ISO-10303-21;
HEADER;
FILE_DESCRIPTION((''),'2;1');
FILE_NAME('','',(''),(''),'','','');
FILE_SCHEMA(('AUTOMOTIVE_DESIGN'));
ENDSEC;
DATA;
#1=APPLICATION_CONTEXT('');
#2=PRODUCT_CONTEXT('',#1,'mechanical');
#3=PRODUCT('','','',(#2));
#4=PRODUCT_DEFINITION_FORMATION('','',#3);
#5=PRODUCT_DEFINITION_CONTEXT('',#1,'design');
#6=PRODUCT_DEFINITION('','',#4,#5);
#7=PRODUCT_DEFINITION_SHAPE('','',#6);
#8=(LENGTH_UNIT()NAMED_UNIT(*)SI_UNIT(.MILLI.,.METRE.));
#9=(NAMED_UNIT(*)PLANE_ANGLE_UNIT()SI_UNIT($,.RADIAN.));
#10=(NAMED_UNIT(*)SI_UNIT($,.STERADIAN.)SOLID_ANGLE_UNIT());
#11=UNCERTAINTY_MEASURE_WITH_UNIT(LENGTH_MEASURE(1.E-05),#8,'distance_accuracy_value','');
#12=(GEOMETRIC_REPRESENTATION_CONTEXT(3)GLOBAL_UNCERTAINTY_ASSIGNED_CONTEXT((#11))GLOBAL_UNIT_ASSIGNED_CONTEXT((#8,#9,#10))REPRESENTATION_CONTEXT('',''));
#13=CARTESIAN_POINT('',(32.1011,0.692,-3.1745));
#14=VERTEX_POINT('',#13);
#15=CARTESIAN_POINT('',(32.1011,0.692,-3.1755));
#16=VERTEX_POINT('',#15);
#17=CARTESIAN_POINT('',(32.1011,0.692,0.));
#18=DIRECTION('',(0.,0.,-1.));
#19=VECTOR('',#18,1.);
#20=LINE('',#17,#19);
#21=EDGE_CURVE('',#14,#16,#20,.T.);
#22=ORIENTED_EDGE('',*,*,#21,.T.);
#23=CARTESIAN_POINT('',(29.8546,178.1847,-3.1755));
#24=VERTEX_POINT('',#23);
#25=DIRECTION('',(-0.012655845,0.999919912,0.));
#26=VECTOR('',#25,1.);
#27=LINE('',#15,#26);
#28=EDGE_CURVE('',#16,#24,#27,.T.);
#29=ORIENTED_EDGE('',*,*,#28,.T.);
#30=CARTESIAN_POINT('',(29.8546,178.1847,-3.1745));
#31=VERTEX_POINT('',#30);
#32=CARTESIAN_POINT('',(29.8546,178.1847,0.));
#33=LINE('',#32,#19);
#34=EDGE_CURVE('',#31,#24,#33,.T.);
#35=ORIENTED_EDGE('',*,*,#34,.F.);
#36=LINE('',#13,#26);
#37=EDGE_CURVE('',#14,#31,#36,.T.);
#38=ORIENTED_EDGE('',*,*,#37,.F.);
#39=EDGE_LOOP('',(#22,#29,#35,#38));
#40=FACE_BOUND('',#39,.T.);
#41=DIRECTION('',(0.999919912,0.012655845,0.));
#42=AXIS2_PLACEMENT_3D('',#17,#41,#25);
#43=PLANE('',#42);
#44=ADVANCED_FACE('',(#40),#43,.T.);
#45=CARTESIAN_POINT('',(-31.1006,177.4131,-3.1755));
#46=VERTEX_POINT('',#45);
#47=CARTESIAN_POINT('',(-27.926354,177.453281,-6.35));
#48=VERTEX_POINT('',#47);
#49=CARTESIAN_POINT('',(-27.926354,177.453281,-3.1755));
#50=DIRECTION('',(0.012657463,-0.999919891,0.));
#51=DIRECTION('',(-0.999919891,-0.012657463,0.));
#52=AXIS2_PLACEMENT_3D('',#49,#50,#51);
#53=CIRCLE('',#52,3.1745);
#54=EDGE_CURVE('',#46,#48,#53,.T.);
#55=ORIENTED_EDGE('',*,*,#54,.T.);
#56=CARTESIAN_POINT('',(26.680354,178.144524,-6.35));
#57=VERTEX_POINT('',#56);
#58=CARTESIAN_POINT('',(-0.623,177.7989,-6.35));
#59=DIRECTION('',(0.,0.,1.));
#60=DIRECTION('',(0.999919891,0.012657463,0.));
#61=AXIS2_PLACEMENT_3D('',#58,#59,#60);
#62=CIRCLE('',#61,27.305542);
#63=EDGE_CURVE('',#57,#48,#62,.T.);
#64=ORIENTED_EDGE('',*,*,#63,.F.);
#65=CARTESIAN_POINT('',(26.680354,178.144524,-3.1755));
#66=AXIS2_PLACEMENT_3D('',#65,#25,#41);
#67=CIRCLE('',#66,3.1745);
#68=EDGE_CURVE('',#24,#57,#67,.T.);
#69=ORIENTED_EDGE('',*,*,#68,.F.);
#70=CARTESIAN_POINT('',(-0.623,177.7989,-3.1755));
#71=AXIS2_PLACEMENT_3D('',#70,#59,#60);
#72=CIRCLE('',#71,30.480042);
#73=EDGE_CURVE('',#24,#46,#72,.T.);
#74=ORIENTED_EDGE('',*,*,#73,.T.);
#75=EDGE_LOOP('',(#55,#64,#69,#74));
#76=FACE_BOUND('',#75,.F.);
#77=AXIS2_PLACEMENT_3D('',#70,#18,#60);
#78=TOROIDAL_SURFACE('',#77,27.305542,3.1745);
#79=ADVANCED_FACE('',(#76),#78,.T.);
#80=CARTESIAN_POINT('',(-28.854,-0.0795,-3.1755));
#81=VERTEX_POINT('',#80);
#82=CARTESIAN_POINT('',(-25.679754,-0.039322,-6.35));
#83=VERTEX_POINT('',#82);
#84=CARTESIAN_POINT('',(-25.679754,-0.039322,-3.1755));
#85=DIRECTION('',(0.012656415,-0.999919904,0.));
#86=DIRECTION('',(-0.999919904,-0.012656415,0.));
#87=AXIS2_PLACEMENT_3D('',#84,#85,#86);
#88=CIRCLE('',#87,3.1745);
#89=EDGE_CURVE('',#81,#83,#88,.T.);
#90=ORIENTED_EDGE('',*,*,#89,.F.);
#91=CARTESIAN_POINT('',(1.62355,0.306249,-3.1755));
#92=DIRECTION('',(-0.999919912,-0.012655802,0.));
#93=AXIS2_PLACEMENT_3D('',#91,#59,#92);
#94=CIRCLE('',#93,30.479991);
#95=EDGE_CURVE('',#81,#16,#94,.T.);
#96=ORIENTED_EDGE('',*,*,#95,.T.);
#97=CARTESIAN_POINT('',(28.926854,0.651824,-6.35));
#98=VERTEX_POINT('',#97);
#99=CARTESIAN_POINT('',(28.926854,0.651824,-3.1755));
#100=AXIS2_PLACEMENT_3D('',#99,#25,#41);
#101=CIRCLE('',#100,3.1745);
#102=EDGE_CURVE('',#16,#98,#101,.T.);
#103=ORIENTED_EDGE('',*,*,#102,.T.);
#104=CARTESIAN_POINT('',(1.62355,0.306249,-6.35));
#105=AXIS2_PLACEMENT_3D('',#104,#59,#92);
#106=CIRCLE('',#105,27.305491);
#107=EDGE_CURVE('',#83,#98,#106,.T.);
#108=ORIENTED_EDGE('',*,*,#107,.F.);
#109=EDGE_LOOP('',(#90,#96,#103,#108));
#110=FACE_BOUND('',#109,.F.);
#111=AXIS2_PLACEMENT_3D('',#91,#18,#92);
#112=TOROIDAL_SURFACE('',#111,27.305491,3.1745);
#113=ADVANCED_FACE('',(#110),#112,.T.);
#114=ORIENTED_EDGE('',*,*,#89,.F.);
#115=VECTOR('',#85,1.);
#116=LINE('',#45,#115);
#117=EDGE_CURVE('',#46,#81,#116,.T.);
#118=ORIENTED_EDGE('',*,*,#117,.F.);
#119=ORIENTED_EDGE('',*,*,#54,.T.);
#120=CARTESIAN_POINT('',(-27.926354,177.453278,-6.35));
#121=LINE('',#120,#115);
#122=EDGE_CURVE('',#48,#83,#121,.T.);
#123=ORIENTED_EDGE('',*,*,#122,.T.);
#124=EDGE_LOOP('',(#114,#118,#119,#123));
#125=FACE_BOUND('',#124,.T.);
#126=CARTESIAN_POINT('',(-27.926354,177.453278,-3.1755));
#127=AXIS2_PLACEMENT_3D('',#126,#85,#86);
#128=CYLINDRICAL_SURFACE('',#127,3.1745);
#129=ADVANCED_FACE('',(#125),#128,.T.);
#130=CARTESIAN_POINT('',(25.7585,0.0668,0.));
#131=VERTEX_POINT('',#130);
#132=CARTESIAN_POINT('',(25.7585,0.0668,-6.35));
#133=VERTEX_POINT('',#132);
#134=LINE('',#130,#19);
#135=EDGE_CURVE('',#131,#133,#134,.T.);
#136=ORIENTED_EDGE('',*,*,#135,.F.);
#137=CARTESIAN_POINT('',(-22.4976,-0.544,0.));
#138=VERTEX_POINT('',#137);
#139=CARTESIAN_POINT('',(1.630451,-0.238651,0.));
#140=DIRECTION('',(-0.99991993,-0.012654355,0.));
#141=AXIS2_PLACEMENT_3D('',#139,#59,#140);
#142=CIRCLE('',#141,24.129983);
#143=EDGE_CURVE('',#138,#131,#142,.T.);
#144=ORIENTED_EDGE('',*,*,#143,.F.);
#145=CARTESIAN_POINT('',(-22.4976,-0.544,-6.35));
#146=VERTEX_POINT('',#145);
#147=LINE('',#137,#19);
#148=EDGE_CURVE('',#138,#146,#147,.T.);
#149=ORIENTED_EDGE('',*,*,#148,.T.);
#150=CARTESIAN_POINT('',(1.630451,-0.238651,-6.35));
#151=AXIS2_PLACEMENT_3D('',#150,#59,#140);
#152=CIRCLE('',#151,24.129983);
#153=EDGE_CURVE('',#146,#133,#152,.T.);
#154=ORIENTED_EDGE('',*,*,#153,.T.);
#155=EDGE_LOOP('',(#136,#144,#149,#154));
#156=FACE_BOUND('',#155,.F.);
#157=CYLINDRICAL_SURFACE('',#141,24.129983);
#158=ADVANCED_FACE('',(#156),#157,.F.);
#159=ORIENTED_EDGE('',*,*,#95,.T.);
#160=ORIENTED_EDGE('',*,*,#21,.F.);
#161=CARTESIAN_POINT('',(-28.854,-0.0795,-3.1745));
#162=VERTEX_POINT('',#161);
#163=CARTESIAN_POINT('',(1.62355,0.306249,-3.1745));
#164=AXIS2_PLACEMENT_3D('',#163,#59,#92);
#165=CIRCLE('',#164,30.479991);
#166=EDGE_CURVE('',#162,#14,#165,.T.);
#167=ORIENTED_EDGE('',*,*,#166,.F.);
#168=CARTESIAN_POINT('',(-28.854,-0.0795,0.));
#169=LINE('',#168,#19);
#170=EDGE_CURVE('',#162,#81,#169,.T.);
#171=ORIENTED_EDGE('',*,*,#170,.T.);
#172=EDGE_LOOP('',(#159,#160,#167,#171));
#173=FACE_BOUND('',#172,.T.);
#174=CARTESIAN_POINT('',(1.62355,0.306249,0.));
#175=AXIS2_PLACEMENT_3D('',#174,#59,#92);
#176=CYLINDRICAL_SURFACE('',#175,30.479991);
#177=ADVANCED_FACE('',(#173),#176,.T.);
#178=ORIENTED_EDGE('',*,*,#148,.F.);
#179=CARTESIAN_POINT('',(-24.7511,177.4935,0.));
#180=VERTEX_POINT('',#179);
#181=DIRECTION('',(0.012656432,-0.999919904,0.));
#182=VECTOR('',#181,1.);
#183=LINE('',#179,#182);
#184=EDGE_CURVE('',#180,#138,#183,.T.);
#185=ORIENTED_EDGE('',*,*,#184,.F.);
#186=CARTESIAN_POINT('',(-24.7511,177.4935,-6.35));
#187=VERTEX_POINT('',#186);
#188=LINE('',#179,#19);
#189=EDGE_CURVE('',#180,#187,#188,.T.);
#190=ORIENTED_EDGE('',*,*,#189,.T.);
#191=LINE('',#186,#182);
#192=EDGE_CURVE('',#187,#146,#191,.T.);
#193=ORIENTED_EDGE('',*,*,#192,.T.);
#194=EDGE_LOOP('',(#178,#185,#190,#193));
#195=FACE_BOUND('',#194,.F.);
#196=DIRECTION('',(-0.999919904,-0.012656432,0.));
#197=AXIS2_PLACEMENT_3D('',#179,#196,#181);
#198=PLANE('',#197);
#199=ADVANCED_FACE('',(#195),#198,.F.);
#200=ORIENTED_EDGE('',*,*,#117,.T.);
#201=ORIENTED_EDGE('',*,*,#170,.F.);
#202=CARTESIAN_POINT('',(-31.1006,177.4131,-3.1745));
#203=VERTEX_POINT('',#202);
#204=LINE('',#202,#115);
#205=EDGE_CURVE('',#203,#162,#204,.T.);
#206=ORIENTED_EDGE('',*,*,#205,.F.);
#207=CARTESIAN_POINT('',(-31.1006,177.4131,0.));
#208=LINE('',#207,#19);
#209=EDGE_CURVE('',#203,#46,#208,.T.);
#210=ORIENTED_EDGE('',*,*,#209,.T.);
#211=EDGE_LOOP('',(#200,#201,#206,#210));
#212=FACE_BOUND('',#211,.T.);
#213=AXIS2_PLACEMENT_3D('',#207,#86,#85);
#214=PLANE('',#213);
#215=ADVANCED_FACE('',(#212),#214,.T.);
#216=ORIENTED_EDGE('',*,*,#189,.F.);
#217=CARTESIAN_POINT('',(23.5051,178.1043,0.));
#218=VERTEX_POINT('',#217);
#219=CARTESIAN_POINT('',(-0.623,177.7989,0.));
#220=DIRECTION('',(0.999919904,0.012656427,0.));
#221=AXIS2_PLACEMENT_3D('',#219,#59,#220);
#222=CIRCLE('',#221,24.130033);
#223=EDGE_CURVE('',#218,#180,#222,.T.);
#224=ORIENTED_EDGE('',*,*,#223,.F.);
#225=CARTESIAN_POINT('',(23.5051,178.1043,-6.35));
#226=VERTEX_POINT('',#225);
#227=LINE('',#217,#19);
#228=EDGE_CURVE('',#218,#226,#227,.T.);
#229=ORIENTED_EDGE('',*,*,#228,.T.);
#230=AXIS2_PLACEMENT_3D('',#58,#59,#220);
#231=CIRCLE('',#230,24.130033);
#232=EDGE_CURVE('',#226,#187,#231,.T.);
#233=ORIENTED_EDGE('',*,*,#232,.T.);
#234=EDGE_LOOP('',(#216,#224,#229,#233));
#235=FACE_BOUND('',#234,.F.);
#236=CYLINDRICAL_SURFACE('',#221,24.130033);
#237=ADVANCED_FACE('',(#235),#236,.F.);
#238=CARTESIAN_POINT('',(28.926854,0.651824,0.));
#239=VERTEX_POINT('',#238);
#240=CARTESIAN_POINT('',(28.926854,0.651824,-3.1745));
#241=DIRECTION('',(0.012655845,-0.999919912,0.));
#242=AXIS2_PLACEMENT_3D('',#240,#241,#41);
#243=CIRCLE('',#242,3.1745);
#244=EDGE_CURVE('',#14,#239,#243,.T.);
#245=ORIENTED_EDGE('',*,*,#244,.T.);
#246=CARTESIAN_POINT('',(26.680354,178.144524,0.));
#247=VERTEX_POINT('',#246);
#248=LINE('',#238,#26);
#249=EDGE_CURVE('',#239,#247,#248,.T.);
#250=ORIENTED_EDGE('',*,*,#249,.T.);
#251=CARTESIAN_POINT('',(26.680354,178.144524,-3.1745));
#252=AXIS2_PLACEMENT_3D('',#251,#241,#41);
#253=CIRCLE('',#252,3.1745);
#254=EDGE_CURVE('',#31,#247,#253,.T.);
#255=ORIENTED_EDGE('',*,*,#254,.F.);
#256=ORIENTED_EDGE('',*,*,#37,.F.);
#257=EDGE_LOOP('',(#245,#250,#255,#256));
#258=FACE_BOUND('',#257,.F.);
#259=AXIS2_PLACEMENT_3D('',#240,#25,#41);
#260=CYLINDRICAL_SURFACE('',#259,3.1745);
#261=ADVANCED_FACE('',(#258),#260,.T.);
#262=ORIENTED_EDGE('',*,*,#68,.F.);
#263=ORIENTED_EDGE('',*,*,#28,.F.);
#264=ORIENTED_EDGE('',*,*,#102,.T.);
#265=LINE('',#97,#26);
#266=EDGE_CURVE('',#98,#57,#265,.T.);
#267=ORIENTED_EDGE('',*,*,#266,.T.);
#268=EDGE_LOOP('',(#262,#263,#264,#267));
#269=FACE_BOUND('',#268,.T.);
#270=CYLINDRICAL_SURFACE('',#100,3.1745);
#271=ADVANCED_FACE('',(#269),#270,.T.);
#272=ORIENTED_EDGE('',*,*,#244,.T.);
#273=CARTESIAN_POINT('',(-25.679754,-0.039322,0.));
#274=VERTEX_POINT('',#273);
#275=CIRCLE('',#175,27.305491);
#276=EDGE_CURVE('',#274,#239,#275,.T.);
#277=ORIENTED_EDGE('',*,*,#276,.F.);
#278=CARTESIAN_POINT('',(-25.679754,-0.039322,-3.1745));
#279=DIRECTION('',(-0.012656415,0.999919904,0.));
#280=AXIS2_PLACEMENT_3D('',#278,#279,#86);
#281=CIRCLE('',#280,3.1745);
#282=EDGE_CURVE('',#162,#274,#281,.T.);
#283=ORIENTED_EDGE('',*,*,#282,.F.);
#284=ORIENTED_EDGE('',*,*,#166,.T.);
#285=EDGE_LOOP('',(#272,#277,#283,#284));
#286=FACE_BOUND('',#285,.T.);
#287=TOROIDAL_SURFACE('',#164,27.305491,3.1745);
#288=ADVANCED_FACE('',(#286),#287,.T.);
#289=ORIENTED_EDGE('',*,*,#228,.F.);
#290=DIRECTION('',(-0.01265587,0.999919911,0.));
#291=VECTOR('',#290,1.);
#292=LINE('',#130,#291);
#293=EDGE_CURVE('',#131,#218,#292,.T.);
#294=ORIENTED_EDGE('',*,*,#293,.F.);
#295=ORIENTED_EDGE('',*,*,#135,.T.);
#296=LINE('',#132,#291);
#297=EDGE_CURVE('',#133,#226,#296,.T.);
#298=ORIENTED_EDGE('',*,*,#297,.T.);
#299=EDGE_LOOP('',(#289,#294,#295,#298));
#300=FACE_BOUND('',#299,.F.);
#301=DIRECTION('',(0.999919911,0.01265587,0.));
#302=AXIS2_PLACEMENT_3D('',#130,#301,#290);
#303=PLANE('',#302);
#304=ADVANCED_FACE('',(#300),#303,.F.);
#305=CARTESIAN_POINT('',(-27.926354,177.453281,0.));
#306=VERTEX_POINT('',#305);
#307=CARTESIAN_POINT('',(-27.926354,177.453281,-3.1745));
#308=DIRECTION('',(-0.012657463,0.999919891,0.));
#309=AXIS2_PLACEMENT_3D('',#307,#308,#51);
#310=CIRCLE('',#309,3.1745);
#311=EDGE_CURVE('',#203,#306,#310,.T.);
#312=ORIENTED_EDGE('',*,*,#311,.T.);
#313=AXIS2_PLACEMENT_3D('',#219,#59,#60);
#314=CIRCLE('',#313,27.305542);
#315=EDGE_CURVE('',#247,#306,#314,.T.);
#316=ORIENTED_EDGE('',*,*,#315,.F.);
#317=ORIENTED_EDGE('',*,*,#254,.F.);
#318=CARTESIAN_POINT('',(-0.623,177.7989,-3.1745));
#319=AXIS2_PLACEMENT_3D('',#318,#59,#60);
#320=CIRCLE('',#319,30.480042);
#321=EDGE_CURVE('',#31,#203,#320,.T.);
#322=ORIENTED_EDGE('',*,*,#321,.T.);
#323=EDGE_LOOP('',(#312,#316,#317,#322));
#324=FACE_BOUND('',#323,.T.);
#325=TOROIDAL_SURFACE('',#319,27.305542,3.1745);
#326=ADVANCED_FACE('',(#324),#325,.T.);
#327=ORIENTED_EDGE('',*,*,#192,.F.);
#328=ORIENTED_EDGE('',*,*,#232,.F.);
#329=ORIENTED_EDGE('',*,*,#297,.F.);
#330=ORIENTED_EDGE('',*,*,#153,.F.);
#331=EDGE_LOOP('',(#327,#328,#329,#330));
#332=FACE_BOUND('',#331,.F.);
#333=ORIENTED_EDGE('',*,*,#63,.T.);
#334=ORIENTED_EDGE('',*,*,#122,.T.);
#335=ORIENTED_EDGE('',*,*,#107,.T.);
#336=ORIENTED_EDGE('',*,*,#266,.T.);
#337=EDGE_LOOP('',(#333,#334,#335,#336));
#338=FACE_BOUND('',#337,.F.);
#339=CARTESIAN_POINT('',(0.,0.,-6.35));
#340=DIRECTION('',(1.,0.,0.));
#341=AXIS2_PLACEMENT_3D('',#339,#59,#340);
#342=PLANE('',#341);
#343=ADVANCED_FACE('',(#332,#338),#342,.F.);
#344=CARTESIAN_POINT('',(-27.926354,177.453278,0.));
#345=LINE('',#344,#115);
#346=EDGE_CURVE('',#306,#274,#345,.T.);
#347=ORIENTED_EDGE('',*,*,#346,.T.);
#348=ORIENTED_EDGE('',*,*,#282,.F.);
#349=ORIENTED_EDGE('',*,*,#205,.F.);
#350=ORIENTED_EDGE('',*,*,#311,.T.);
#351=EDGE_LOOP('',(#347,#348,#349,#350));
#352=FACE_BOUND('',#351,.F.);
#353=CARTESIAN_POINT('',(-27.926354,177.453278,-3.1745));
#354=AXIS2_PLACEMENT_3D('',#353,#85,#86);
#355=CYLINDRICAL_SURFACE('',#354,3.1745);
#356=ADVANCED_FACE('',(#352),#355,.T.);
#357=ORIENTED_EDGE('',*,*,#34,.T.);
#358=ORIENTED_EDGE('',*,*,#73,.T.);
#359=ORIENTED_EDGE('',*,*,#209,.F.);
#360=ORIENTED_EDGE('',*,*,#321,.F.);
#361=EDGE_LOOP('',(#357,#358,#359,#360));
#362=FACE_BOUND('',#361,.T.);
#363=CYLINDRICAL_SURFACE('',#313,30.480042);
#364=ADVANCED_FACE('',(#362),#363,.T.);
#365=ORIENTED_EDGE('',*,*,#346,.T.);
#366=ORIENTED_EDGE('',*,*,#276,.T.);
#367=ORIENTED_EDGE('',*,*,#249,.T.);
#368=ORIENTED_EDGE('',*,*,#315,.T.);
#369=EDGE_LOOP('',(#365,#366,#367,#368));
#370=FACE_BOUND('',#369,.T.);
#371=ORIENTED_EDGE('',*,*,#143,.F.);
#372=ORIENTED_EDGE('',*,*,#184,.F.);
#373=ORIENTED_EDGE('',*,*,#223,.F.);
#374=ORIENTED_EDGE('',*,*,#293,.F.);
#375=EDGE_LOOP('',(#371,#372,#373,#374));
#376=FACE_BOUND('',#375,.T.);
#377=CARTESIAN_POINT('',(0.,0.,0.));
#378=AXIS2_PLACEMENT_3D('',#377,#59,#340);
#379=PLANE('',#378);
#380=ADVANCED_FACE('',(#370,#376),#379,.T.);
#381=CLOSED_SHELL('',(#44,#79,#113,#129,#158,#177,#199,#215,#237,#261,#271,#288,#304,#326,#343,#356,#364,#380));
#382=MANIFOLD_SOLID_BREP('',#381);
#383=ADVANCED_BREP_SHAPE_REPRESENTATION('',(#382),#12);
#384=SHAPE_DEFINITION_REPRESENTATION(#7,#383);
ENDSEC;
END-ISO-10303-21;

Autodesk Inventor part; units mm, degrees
ref_plane "YZ Plane" through (0, 0, 0) normal (1, 0, 0) x (0, 1, 0)
ref_plane "XZ Plane" through (0, 0, 0) normal (0, 1, 0) x (-1, 0, 0)
ref_plane "XY Plane" through (0, 0, 0) normal (0, 0, 1) x (1, 0, 0)
sketch "Sketch1" plane through (0, 0, 0) normal (0, 0, 1) x (1, 0, 0)
  line L0 (25.7585, 0.0668) -> (23.5051, 178.1043)
  line L1 (-24.7511, 177.4935) -> (-22.4976, -0.544)
  line L2 (32.1011, 0.692) -> (29.8546, 178.1847)
  line L3 (-31.1006, 177.4131) -> (-28.854, -0.0795)
  arc A0 (29.8546, 178.1847) -> (-31.1006, 177.4131) centre (-0.623, 177.7989) ccw
  arc A1 (-28.854, -0.0795) -> (32.1011, 0.692) centre (1.6236, 0.3063) ccw
  arc A2 (-22.4976, -0.544) -> (25.7585, 0.0668) centre (1.6305, -0.2386) ccw
  arc A3 (23.5051, 178.1043) -> (-24.7511, 177.4935) centre (-0.623, 177.7989) ccw
  point P0 (0, 0)
  dimension "d6" = 6.35
  dimension "d7" = 6.35
  dimension "d11" = 177.8
  dimension "d12" = 177.8
  dimension "d13" = 24.13
extrude "Extrusion1" add sketch "Sketch1" against normal blind 6.35
fillet "Fillet1" radius 3.175 8 edges at (30.9778, 89.4384, 0) (-1.0088, 208.2765, 0) (-29.9773, 88.6668, 0) (2.0093, -30.1713, 0) (30.9778, 89.4384, -6.35) (-1.0088, 208.2765, -6.35) (-29.9773, 88.6668, -6.35) (2.0093, -30.1713, -6.35)
properties part number "7in polycord loop"
